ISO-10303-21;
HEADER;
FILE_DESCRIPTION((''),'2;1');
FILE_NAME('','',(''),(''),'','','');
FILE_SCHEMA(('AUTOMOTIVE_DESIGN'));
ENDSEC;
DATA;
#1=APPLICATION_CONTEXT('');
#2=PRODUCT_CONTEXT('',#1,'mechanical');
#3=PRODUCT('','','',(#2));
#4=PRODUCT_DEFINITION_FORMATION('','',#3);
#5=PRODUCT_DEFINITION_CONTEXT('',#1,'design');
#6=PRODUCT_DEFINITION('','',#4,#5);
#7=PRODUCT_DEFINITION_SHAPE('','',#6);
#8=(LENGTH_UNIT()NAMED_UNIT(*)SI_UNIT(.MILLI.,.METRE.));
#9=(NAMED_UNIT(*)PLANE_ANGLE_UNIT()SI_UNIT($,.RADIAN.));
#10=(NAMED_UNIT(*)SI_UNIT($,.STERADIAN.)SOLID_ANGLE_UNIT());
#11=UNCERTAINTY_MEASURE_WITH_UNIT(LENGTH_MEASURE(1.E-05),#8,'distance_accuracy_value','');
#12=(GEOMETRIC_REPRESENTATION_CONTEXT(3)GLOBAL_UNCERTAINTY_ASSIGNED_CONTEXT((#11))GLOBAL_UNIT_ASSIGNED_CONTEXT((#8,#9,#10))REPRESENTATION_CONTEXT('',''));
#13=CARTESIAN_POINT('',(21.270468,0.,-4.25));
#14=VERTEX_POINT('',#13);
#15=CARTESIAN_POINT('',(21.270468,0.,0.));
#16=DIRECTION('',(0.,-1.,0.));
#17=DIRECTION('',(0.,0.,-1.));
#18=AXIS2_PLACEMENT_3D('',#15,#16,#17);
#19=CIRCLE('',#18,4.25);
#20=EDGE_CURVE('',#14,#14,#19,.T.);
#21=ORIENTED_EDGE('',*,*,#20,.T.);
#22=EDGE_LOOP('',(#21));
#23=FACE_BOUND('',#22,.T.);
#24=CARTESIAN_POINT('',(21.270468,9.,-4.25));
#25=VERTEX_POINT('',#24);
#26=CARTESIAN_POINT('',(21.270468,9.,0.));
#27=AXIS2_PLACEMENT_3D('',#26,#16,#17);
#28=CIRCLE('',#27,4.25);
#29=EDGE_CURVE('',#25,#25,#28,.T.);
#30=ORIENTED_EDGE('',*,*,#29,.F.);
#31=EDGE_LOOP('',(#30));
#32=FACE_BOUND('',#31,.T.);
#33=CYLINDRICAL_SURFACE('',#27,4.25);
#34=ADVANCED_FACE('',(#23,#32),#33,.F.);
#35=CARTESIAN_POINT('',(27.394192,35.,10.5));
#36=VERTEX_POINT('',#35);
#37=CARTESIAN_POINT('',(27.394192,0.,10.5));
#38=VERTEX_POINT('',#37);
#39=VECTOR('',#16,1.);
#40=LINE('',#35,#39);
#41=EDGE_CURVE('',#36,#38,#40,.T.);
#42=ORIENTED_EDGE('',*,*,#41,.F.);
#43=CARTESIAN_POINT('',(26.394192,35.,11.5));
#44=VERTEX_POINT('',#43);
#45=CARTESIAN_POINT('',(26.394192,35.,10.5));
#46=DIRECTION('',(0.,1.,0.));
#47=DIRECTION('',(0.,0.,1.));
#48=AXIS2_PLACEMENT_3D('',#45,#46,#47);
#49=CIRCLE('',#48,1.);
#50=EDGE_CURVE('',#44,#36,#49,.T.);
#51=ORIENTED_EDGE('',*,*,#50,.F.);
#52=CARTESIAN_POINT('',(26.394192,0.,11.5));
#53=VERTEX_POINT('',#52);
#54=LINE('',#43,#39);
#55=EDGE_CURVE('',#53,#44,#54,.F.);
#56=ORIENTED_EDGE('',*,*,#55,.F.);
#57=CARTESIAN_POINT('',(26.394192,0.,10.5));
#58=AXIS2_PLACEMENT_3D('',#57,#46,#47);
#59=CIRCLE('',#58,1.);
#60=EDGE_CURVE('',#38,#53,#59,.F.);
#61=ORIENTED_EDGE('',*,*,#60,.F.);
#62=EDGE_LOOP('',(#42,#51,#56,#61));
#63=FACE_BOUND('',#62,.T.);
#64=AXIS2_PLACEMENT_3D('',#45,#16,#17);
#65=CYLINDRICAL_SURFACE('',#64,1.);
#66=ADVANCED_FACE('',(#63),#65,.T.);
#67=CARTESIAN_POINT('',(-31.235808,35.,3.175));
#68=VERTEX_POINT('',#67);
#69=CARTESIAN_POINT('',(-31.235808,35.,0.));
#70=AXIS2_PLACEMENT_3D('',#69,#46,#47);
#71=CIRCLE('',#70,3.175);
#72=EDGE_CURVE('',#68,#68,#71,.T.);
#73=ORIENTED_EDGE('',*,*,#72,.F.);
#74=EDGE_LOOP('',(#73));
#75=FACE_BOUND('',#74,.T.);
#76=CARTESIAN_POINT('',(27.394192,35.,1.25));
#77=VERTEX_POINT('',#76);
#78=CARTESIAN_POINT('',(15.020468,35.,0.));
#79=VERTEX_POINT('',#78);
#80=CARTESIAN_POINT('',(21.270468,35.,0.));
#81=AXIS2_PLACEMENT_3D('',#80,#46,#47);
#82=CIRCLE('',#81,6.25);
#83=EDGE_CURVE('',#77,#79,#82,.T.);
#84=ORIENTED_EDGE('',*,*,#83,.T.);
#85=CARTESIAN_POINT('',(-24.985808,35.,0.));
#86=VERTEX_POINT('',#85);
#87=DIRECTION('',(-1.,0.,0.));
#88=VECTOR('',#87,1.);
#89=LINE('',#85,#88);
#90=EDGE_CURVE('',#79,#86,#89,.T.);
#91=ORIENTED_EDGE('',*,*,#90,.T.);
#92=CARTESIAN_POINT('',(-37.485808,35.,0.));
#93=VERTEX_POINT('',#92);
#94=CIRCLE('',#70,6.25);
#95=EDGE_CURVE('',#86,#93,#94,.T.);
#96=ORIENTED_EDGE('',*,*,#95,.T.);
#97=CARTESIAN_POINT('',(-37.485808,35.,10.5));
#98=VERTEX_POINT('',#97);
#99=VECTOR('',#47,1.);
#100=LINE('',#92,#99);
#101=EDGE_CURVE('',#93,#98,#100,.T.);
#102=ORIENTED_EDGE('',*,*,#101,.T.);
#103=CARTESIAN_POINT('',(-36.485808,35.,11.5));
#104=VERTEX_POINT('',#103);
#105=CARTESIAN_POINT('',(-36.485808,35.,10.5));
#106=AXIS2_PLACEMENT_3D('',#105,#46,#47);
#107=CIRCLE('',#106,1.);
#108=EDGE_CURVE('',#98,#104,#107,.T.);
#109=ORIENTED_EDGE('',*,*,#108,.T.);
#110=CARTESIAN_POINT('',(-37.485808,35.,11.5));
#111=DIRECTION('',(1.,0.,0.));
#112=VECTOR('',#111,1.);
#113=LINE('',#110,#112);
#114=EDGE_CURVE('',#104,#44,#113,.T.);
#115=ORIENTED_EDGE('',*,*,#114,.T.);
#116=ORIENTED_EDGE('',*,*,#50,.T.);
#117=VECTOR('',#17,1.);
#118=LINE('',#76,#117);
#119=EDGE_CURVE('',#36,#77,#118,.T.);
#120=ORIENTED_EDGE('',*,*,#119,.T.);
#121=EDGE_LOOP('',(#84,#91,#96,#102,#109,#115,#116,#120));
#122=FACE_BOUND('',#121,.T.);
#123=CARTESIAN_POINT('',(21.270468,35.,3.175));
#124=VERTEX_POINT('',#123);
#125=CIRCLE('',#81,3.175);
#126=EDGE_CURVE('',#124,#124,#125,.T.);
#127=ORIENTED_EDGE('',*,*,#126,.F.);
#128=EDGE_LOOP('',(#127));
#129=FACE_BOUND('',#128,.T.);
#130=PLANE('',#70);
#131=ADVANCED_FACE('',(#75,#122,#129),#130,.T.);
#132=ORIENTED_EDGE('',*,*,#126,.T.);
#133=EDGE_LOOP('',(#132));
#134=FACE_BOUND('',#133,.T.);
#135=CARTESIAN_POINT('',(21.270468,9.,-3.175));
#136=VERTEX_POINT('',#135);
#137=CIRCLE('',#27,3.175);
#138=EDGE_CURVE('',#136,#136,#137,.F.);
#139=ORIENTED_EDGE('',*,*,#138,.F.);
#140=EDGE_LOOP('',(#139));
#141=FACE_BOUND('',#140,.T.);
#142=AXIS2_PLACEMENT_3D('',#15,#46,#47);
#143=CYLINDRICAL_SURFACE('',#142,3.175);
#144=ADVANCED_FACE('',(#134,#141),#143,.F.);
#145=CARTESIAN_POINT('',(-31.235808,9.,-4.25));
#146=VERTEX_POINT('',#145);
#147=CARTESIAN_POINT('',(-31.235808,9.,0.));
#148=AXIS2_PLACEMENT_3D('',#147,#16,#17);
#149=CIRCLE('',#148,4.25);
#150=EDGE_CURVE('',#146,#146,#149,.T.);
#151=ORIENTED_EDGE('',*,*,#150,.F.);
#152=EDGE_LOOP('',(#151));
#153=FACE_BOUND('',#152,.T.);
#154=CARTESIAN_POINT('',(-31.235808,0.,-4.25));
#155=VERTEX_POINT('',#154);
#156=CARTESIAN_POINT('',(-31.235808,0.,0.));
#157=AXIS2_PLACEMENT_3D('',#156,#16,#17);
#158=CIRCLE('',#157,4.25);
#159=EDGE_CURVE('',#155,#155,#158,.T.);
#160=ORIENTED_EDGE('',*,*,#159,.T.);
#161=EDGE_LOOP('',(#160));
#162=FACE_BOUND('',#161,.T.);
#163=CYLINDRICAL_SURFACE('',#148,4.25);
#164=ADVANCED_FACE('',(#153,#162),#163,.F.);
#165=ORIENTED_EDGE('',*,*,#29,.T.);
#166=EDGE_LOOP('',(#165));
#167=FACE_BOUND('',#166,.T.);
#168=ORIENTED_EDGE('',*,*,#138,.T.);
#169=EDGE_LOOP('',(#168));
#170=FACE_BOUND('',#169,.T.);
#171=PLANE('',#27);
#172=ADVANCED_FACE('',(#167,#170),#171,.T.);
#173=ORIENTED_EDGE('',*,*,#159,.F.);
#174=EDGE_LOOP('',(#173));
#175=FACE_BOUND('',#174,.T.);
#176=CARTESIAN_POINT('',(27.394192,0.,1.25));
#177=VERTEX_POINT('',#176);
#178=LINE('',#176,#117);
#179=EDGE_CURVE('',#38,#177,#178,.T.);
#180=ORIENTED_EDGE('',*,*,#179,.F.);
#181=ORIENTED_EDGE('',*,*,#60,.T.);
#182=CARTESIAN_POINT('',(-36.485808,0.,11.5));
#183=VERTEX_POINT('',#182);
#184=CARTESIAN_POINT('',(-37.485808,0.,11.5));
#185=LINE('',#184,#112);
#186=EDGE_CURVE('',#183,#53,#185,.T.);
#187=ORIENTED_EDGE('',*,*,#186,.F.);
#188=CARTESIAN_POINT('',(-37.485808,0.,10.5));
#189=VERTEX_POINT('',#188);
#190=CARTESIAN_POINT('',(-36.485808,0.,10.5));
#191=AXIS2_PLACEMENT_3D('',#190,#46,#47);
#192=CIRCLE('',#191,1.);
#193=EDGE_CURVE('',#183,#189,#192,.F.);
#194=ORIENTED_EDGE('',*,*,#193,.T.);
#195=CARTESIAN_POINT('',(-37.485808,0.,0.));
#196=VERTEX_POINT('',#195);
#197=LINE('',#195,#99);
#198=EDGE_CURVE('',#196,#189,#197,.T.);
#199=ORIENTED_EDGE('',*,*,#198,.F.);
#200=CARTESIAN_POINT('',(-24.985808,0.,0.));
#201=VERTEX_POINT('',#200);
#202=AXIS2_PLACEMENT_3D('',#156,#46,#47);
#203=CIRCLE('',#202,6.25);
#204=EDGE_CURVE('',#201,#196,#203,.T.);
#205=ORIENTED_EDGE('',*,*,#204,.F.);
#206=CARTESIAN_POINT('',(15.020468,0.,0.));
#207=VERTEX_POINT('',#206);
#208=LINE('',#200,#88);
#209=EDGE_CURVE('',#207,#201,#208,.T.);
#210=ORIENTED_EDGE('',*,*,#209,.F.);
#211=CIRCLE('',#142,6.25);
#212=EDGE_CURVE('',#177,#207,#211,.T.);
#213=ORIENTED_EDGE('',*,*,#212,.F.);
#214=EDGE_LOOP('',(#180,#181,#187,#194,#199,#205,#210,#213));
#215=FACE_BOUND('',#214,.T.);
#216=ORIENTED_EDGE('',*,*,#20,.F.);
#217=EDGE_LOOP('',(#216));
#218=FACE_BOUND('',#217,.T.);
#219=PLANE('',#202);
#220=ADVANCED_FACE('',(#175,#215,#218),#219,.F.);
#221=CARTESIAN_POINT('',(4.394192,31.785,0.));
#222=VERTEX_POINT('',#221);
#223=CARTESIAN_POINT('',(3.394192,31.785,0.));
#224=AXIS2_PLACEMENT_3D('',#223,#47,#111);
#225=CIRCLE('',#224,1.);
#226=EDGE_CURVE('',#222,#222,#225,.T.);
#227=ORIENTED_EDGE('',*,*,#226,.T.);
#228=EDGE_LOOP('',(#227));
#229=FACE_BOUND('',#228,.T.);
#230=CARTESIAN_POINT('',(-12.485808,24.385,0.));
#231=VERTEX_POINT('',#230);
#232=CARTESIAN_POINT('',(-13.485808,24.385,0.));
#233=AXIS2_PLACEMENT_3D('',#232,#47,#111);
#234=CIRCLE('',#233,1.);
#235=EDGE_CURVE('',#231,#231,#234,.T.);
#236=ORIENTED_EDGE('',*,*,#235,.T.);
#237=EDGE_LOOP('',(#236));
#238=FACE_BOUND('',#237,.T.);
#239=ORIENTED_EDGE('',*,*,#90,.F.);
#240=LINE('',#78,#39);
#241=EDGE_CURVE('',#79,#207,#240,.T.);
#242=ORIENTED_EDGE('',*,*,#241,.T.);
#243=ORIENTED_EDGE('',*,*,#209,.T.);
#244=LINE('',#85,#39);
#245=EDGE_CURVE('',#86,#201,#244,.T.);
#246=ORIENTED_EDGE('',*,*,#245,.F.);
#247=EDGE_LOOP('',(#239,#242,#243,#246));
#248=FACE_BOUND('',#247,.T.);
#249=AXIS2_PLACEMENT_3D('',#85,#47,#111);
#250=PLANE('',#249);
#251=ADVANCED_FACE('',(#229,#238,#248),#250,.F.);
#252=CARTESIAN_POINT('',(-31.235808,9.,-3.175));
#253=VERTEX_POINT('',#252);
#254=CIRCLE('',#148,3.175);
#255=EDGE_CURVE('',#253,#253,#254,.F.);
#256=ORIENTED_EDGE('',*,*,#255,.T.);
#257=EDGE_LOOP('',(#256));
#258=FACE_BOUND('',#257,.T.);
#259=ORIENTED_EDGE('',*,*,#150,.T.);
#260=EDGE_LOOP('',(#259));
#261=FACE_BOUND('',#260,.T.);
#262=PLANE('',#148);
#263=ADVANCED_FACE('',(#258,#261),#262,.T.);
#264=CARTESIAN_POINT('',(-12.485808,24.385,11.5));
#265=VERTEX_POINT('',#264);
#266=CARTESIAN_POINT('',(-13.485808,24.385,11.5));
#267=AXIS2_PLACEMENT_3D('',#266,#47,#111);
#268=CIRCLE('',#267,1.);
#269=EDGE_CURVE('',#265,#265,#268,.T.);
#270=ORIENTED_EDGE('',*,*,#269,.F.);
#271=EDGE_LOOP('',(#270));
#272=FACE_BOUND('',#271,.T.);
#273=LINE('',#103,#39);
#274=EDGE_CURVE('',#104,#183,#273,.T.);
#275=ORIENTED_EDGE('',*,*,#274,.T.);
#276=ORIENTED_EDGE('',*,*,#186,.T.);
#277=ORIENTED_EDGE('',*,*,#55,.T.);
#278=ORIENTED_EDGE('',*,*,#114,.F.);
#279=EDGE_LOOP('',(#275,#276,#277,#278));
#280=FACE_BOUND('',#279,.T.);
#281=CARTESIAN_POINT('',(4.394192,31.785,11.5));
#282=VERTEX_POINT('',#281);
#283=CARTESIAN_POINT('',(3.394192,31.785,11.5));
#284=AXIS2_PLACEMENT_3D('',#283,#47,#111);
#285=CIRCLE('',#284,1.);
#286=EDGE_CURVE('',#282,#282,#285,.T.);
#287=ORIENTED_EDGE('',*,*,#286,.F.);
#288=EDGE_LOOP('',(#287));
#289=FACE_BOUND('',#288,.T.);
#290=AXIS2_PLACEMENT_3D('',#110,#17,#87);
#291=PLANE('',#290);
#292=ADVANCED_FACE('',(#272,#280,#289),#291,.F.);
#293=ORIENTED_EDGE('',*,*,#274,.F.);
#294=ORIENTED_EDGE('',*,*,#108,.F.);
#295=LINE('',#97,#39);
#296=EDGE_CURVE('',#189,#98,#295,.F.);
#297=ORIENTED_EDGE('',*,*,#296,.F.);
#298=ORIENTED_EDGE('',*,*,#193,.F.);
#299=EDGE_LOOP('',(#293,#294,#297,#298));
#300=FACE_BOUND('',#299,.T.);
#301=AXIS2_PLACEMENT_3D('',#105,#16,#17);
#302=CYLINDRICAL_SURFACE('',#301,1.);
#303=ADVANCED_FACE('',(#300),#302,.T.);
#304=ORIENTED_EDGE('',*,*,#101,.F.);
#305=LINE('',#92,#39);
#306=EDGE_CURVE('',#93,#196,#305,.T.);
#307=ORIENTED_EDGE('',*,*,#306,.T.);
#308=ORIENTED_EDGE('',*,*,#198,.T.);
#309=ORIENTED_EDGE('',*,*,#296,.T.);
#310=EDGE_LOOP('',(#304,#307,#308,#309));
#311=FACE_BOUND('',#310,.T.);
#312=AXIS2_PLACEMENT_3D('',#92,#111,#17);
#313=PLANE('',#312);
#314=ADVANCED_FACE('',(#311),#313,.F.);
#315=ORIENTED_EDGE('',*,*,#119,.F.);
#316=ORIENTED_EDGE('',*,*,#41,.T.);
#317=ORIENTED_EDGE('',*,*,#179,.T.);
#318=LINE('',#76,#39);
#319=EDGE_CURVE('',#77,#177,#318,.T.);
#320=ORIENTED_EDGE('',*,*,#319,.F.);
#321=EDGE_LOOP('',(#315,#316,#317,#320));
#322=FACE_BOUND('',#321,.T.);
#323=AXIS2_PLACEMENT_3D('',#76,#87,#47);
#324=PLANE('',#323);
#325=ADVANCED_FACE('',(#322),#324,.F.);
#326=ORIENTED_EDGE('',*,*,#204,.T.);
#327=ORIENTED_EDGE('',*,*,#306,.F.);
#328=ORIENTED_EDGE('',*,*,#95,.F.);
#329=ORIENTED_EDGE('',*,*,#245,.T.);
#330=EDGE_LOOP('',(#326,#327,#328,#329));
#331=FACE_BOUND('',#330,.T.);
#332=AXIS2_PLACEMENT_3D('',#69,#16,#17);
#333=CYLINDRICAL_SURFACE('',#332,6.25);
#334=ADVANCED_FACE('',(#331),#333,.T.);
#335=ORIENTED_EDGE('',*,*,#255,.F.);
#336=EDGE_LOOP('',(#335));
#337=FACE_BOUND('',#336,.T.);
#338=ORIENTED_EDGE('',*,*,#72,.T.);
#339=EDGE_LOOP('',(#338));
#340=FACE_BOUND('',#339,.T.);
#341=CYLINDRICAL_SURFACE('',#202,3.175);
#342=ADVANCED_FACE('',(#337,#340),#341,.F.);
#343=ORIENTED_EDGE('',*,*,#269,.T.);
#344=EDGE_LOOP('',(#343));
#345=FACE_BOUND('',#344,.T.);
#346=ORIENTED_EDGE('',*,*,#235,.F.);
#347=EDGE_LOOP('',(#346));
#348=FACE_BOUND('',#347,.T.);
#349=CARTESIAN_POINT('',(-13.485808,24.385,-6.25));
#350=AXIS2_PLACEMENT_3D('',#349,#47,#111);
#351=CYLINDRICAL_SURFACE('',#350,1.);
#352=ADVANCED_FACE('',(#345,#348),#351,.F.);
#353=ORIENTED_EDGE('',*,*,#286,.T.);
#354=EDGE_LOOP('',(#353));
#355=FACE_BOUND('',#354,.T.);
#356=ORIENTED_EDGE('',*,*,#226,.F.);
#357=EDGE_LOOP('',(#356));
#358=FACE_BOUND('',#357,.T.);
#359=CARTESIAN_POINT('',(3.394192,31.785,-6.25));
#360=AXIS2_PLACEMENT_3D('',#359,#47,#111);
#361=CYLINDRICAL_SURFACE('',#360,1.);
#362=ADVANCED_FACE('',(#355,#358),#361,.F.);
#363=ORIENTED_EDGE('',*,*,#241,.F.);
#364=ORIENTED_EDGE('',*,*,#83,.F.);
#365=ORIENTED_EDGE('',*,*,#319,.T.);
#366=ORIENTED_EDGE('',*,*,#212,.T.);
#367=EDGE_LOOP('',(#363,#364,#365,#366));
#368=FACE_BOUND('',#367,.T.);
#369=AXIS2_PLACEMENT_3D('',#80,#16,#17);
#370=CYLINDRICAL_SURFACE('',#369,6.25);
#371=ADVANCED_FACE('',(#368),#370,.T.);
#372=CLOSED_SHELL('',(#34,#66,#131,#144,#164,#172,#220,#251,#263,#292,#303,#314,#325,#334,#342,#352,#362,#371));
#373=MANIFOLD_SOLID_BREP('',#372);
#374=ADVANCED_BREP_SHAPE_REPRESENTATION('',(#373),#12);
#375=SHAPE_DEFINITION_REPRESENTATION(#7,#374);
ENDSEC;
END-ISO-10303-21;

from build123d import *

# Parameters (mm, degrees)
BOSS_EXTRUDE1_DEPTH = 35
SKETCH2_R           = 3.175
CUT_EXTRUDE1_DEPTH  = 36
SKETCH3_R           = 4.25
CUT_EXTRUDE2_DEPTH  = 9
SKETCH4_R           = 1
CUT_EXTRUDE4_DEPTH  = 18.75
FILLET1_R           = 1


with BuildPart() as part:
    # Sketch1 → Boss-Extrude1 (new body)
    with BuildSketch(Plane(origin=(0, 0, 0), x_dir=(1, 0, 0), z_dir=(0, 1, 0))):
        with BuildLine():
            Line((-24.985807588, 0), (15.020468055, 0))
            ThreePointArc((15.020468055, 0), (21.898649068, 6.218350956), (27.394192412, -1.25))
            Line((27.394192412, -1.25), (27.394192412, -11.5))
            Line((27.394192412, -11.5), (-37.485807588, -11.5))
            Line((-37.485807588, -11.5), (-37.485807588, 0))
            ThreePointArc((-37.485807588, 0), (-31.235807588, 6.25), (-24.985807588, 0))
        make_face()
    extrude(amount=BOSS_EXTRUDE1_DEPTH)

    # Sketch2 → Cut-Extrude1 (cut, through all)
    with BuildSketch(Plane(origin=(0, 35, 0), x_dir=(1, 0, 0), z_dir=(0, 1, 0))):
        with Locations((-31.235807588, 0)):
            Circle(SKETCH2_R)
        with Locations((21.270468055, 0)):
            Circle(SKETCH2_R)
    extrude(amount=-CUT_EXTRUDE1_DEPTH, mode=Mode.SUBTRACT)

    # Sketch3 → Cut-Extrude2 (cut)
    with BuildSketch(Plane.XZ):
        with Locations((21.270468055, 0)):
            Circle(SKETCH3_R)
        with Locations((-31.235807588, 0)):
            Circle(SKETCH3_R)
    extrude(amount=-CUT_EXTRUDE2_DEPTH, mode=Mode.SUBTRACT)

    # Sketch4 → Cut-Extrude4 (cut, through all)
    with BuildSketch(Plane.XY.offset(11.5)):
        with Locations((-13.485807588, 24.385)):
            Circle(SKETCH4_R)
        with Locations((3.394192412, 31.785)):
            Circle(SKETCH4_R)
    extrude(amount=-CUT_EXTRUDE4_DEPTH, mode=Mode.SUBTRACT)

    # Fillet1
    fillet1_edges = [part.edges().sort_by_distance(p)[0] for p in [
        (27.394192412, 17.5, 11.5),
        (-37.485807588, 17.5, 11.5),
    ]]
    fillet(fillet1_edges, radius=FILLET1_R)


solid = part.part
